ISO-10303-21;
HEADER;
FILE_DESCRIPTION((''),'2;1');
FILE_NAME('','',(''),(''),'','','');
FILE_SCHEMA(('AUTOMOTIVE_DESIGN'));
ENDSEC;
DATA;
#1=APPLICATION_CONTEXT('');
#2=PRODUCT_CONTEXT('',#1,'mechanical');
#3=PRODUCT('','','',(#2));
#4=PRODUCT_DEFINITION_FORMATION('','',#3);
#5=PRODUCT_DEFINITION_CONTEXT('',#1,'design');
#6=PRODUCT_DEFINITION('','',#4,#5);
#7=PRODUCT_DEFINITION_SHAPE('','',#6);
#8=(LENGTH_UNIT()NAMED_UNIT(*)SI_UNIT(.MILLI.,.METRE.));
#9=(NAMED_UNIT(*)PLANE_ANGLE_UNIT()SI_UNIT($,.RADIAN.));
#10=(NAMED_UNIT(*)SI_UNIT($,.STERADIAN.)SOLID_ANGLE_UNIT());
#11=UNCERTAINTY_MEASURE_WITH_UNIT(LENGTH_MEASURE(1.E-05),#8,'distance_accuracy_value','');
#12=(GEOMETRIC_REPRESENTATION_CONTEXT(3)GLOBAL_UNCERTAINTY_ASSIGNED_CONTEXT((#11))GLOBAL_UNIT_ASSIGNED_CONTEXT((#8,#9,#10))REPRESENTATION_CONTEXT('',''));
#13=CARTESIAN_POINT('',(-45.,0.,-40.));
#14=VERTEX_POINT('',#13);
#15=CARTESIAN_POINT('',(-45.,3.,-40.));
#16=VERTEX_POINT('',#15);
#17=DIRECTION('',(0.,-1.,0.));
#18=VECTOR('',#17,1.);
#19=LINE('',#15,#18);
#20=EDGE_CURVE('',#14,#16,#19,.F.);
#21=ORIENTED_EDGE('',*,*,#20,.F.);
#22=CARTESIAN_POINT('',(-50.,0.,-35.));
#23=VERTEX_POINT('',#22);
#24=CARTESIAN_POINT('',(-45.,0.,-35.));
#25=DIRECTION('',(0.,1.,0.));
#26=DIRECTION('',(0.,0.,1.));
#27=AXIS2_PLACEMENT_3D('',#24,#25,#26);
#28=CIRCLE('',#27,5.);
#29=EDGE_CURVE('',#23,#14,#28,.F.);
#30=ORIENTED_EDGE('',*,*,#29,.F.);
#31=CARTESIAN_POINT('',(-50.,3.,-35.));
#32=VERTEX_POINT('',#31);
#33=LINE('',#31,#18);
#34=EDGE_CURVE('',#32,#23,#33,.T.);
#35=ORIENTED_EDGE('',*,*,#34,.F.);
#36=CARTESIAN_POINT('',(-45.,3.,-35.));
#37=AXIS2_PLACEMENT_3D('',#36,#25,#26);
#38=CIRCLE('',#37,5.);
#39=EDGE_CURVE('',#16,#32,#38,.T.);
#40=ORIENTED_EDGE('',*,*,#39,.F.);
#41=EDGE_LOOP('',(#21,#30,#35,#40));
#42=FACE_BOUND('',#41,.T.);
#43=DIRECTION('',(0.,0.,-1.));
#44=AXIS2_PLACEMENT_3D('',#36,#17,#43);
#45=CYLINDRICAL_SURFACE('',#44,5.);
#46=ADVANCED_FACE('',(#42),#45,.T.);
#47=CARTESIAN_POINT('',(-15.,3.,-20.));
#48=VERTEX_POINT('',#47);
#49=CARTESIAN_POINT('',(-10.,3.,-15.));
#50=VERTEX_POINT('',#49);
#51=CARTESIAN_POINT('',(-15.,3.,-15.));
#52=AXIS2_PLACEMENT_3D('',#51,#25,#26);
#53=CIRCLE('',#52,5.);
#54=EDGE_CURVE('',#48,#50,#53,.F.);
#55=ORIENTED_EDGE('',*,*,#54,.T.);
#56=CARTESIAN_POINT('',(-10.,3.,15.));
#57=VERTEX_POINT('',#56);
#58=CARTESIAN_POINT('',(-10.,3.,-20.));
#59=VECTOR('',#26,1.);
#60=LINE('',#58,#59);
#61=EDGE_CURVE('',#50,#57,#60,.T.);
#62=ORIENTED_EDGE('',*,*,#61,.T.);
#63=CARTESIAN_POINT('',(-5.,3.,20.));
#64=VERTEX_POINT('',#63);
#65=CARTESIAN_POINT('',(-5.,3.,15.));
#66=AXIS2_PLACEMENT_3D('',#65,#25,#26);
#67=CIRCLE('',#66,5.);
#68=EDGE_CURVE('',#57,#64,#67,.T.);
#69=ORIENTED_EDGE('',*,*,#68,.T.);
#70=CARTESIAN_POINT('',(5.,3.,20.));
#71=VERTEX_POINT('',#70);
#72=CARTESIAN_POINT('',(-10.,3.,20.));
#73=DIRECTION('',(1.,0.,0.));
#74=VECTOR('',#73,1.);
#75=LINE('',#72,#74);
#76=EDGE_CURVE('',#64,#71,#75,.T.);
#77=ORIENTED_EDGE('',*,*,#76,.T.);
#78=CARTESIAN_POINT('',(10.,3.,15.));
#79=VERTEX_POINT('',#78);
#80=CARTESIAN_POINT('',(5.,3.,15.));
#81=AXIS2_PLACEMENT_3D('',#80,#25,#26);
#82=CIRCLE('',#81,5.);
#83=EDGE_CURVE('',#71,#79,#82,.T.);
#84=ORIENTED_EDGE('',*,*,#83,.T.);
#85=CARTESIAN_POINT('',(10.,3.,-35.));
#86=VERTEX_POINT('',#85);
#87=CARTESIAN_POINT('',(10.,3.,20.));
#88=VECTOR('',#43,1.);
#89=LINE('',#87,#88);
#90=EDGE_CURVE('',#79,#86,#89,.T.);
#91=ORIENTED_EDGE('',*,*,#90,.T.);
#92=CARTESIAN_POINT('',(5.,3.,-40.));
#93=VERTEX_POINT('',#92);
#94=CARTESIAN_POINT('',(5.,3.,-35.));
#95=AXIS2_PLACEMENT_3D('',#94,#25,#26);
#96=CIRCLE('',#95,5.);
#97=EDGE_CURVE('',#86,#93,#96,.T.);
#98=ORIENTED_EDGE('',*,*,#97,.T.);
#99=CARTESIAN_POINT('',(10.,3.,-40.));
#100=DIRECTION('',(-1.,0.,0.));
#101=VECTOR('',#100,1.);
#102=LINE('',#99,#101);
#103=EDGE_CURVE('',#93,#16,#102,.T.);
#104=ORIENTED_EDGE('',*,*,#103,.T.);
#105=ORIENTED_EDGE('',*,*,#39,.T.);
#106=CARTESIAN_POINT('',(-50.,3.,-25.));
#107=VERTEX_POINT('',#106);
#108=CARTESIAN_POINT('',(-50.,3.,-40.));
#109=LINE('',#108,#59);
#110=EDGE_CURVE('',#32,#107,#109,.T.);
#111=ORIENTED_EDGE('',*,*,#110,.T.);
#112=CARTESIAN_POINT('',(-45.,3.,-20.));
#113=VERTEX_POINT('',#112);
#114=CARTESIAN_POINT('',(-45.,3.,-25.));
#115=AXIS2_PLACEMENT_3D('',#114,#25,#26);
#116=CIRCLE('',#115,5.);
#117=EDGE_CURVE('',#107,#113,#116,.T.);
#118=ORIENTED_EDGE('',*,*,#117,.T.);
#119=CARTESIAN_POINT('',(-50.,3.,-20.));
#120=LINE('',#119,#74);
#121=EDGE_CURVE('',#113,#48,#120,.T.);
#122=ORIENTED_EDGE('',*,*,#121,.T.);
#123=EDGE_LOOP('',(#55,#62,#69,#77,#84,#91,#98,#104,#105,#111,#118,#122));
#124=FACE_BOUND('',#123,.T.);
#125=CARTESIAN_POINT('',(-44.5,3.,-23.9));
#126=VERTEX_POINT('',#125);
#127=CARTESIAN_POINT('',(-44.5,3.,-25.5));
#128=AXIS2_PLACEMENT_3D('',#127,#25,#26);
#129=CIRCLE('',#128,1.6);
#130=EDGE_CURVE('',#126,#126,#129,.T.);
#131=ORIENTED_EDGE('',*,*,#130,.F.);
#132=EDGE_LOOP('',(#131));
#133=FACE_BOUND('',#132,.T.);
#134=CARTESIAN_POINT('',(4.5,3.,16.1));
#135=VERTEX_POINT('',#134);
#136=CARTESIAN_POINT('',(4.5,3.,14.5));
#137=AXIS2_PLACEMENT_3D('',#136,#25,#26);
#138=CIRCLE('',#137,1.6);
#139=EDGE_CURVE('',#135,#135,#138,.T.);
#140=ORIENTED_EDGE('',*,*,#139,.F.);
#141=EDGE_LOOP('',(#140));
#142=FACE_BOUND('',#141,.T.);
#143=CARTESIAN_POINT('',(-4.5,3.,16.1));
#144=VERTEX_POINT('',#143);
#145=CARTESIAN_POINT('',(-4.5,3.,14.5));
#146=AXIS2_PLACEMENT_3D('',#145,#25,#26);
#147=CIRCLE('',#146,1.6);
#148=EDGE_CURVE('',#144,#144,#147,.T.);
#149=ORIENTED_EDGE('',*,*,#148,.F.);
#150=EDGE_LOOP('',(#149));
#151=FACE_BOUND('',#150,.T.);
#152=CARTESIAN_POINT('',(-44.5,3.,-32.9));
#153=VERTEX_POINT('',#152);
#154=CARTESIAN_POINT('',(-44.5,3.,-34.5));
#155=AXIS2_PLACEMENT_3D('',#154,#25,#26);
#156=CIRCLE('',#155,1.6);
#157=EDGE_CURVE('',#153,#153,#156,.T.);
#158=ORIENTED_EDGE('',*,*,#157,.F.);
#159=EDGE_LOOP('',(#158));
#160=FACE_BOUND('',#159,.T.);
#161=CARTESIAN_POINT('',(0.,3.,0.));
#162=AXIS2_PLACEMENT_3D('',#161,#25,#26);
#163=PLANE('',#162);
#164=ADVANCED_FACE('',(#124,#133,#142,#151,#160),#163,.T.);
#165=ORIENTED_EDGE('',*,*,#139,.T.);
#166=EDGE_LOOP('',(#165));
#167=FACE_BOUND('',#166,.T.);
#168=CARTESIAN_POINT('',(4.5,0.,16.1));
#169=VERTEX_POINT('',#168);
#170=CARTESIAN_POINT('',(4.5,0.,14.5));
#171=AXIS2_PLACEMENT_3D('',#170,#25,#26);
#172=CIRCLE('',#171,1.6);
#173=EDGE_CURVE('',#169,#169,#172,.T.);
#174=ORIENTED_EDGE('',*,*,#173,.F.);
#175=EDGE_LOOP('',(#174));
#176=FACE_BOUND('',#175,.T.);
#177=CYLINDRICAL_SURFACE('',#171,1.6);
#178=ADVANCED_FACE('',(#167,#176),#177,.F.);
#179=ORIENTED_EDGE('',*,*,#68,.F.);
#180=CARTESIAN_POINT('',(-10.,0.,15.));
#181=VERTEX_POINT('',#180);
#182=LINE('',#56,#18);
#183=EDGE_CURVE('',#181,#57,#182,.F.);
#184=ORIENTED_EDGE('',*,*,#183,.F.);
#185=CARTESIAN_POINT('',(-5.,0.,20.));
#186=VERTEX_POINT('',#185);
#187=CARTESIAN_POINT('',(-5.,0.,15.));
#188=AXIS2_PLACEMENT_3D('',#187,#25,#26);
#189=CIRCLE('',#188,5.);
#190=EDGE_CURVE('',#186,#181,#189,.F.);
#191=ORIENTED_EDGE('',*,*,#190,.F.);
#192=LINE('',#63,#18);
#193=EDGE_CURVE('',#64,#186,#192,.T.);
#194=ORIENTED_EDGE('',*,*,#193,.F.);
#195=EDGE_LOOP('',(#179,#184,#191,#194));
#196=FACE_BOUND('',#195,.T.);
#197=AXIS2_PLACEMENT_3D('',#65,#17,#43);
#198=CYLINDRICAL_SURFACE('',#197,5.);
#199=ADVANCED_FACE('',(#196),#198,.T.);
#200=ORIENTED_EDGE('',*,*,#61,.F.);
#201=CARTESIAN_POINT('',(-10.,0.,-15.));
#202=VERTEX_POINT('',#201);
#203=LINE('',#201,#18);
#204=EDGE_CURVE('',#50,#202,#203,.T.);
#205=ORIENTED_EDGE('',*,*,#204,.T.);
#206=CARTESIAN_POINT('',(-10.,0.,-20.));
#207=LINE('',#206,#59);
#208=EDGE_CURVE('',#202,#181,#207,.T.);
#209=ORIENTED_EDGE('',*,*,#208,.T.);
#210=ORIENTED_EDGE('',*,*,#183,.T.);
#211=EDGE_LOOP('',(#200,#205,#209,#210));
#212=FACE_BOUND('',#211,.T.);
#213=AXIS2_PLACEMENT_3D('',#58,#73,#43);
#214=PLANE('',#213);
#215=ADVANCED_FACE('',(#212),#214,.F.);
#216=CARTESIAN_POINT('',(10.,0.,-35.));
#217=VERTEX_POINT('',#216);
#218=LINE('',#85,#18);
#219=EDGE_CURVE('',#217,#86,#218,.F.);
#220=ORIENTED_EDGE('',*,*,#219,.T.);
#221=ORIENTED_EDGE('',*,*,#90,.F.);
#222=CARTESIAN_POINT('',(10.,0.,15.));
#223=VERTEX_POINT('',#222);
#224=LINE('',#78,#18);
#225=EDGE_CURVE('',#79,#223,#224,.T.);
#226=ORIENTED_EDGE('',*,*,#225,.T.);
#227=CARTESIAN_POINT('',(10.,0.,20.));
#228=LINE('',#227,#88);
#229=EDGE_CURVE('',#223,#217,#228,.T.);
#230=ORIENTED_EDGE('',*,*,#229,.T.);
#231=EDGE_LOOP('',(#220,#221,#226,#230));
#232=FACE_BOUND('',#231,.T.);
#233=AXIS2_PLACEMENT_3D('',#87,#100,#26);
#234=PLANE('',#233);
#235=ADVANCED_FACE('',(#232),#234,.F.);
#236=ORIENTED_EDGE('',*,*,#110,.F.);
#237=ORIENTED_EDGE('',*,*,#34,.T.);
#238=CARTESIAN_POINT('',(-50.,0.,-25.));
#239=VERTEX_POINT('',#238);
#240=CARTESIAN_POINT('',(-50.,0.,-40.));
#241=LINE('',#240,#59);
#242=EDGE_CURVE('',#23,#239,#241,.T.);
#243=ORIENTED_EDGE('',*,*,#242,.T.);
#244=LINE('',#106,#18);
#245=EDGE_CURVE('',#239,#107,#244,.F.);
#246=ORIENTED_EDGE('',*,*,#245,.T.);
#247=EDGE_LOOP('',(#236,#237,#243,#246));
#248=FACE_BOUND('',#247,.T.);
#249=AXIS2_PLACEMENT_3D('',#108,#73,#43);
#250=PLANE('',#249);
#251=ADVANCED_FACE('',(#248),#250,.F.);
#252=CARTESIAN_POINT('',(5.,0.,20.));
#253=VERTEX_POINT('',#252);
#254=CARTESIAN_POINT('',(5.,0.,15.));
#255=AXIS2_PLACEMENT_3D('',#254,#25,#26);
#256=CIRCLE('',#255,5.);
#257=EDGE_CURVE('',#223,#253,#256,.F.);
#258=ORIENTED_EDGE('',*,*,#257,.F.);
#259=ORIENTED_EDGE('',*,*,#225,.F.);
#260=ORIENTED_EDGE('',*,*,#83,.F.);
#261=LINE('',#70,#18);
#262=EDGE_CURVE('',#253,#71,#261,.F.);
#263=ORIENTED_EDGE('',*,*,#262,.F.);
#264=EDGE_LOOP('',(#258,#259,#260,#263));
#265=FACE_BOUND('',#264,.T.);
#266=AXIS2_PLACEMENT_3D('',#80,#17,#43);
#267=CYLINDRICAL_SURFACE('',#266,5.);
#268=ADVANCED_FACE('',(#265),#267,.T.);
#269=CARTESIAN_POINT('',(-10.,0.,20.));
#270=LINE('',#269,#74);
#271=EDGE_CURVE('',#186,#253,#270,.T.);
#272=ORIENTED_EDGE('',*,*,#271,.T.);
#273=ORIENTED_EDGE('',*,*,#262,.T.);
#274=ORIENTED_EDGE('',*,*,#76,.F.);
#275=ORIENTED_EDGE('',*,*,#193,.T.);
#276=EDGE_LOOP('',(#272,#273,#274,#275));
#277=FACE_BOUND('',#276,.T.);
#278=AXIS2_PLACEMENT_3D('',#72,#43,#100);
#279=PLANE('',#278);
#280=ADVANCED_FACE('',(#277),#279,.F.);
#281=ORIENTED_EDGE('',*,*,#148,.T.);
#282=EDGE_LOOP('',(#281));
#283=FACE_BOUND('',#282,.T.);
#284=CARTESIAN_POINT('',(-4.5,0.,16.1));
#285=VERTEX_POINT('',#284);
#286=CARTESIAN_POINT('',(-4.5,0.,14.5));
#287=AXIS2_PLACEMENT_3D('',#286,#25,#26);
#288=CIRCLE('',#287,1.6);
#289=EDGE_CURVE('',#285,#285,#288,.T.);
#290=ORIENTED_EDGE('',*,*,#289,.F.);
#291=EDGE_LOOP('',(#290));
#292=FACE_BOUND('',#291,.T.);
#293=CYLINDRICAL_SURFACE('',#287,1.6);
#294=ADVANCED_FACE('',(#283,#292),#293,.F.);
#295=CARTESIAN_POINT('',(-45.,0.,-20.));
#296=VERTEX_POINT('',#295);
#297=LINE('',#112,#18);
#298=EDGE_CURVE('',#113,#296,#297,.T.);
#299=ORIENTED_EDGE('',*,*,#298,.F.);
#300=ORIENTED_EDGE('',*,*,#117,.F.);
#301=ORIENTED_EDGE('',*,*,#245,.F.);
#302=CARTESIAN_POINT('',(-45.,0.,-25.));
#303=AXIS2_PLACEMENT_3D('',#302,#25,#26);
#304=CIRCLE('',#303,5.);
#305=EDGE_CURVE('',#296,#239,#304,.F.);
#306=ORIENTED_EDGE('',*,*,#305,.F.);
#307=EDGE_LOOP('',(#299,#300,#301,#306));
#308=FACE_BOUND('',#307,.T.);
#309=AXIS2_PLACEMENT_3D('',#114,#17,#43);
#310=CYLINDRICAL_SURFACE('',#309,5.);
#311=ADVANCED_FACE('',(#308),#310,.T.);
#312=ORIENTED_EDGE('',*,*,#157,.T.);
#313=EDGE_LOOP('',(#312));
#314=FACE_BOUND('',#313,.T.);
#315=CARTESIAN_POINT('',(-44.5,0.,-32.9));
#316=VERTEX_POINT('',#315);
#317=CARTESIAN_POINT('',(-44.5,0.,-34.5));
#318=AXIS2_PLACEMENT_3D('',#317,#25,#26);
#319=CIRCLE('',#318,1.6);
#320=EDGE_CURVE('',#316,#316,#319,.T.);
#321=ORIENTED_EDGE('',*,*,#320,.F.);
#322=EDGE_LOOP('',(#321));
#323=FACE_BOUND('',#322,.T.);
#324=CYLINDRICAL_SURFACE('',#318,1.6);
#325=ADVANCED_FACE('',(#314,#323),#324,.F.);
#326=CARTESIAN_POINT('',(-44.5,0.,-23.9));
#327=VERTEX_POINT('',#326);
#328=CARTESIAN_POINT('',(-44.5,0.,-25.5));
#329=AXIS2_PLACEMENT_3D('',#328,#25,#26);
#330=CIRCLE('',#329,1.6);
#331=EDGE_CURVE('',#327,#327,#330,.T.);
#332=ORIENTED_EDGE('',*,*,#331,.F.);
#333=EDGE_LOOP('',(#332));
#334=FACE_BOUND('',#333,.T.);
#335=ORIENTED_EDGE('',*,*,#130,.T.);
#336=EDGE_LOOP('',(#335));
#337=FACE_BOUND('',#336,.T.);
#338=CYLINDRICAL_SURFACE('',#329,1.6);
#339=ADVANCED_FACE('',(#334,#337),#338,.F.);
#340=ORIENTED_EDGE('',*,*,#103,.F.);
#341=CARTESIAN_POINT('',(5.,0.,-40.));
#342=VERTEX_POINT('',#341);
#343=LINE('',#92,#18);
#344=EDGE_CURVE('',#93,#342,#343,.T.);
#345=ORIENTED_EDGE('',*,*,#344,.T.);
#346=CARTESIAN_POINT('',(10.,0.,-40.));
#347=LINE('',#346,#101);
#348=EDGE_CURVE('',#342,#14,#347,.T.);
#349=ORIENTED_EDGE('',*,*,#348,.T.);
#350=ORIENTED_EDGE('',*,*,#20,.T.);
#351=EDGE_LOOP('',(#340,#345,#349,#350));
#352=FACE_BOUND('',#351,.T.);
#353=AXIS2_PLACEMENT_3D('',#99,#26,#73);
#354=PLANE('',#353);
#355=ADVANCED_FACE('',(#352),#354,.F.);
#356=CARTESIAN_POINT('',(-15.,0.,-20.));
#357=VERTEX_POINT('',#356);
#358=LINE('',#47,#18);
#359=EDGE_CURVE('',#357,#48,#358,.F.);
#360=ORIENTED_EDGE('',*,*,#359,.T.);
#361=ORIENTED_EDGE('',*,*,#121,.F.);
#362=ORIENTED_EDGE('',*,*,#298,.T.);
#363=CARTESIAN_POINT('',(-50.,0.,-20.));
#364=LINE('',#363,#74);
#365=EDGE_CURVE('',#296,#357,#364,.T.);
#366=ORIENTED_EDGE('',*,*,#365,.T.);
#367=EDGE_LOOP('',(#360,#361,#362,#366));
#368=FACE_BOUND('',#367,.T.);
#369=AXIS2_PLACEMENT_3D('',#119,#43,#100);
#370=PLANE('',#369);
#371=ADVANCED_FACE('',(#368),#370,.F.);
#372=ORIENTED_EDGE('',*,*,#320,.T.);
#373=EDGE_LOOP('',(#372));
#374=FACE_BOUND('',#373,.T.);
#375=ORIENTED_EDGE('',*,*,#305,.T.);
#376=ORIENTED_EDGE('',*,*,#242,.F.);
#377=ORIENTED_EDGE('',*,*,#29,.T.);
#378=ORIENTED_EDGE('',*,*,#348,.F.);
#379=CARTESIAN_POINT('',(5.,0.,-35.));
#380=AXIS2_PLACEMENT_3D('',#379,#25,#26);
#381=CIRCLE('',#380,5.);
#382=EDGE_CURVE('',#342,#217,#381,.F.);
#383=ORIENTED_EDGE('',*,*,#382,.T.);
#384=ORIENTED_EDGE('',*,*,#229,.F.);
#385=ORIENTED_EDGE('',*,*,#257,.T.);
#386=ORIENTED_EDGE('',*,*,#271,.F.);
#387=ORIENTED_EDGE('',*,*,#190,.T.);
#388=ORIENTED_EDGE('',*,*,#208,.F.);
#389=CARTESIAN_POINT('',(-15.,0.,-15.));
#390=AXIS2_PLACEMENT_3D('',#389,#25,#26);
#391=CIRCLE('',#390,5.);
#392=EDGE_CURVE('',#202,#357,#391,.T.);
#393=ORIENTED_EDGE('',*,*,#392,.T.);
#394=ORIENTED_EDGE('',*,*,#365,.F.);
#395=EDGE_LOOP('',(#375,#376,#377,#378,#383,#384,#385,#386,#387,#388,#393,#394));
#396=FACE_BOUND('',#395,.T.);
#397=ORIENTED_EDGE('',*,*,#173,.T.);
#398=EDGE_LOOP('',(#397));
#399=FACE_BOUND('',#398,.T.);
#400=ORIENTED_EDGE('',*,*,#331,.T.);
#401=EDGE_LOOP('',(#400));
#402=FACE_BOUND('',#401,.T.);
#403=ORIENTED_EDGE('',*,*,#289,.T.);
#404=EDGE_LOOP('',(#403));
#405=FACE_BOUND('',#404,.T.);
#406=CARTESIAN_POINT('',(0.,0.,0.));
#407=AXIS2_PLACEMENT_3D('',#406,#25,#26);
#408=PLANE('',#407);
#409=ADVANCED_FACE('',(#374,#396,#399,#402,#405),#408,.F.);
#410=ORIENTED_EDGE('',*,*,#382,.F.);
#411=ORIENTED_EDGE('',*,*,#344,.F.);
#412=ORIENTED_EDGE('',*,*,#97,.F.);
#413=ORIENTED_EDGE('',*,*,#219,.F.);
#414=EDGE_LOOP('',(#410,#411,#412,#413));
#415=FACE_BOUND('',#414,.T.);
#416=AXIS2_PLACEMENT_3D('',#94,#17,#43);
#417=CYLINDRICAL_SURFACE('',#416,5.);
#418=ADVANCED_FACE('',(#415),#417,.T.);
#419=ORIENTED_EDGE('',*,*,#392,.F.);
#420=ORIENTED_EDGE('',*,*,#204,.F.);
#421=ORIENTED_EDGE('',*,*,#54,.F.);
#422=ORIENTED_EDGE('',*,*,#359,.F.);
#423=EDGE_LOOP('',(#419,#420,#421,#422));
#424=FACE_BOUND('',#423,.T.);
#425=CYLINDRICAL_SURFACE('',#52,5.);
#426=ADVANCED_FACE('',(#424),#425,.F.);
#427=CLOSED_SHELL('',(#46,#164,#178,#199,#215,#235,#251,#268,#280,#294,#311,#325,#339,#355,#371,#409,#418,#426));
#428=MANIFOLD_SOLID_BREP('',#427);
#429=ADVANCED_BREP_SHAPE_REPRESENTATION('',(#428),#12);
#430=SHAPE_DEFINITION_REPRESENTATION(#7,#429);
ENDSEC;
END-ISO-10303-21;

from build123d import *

# Parameters (mm, degrees)
EXTRUDE_1_DEPTH     = 3
SKETCH_2_R          = 1.6
CUT_EXTRUDE_1_DEPTH = 65.101482042
FILLET_1_R          = 5


with BuildPart() as part:
    # 草图1 → 凸台-拉伸1 (new body)
    with BuildSketch(Plane(origin=(0, 0, 0), x_dir=(1, 0, 0), z_dir=(0, 1, 0))):
        Polygon((-50, 40), (-50, 20), (-10, 20), (-10, -20), (10, -20), (10, 40), align=None)
    extrude(amount=EXTRUDE_1_DEPTH)

    # 草图2 → 切除-拉伸1 (cut, through all)
    with BuildSketch(Plane(origin=(0, 3, 0), x_dir=(1, 0, 0), z_dir=(0, 1, 0))):
        with Locations(Location((-44.5, 34.5, 0), (0, 0, 270))):
            Circle(SKETCH_2_R)
        with Locations(Location((-44.5, 25.5, 0), (0, 0, 270))):
            Circle(SKETCH_2_R)
        with Locations(Location((-4.5, -14.5, 0), (0, 0, 270))):
            Circle(SKETCH_2_R)
        with Locations(Location((4.5, -14.5, 0), (0, 0, 270))):
            Circle(SKETCH_2_R)
    extrude(amount=-CUT_EXTRUDE_1_DEPTH, mode=Mode.SUBTRACT)

    # 圆角1
    fillet_1_edges = [part.edges().sort_by_distance(p)[0] for p in [
        (10, 1.5, 20),
        (-10, 1.5, 20),
        (-10, 1.5, -20),
        (-50, 1.5, -20),
        (-50, 1.5, -40),
        (10, 1.5, -40),
    ]]
    fillet(fillet_1_edges, radius=FILLET_1_R)


solid = part.part
